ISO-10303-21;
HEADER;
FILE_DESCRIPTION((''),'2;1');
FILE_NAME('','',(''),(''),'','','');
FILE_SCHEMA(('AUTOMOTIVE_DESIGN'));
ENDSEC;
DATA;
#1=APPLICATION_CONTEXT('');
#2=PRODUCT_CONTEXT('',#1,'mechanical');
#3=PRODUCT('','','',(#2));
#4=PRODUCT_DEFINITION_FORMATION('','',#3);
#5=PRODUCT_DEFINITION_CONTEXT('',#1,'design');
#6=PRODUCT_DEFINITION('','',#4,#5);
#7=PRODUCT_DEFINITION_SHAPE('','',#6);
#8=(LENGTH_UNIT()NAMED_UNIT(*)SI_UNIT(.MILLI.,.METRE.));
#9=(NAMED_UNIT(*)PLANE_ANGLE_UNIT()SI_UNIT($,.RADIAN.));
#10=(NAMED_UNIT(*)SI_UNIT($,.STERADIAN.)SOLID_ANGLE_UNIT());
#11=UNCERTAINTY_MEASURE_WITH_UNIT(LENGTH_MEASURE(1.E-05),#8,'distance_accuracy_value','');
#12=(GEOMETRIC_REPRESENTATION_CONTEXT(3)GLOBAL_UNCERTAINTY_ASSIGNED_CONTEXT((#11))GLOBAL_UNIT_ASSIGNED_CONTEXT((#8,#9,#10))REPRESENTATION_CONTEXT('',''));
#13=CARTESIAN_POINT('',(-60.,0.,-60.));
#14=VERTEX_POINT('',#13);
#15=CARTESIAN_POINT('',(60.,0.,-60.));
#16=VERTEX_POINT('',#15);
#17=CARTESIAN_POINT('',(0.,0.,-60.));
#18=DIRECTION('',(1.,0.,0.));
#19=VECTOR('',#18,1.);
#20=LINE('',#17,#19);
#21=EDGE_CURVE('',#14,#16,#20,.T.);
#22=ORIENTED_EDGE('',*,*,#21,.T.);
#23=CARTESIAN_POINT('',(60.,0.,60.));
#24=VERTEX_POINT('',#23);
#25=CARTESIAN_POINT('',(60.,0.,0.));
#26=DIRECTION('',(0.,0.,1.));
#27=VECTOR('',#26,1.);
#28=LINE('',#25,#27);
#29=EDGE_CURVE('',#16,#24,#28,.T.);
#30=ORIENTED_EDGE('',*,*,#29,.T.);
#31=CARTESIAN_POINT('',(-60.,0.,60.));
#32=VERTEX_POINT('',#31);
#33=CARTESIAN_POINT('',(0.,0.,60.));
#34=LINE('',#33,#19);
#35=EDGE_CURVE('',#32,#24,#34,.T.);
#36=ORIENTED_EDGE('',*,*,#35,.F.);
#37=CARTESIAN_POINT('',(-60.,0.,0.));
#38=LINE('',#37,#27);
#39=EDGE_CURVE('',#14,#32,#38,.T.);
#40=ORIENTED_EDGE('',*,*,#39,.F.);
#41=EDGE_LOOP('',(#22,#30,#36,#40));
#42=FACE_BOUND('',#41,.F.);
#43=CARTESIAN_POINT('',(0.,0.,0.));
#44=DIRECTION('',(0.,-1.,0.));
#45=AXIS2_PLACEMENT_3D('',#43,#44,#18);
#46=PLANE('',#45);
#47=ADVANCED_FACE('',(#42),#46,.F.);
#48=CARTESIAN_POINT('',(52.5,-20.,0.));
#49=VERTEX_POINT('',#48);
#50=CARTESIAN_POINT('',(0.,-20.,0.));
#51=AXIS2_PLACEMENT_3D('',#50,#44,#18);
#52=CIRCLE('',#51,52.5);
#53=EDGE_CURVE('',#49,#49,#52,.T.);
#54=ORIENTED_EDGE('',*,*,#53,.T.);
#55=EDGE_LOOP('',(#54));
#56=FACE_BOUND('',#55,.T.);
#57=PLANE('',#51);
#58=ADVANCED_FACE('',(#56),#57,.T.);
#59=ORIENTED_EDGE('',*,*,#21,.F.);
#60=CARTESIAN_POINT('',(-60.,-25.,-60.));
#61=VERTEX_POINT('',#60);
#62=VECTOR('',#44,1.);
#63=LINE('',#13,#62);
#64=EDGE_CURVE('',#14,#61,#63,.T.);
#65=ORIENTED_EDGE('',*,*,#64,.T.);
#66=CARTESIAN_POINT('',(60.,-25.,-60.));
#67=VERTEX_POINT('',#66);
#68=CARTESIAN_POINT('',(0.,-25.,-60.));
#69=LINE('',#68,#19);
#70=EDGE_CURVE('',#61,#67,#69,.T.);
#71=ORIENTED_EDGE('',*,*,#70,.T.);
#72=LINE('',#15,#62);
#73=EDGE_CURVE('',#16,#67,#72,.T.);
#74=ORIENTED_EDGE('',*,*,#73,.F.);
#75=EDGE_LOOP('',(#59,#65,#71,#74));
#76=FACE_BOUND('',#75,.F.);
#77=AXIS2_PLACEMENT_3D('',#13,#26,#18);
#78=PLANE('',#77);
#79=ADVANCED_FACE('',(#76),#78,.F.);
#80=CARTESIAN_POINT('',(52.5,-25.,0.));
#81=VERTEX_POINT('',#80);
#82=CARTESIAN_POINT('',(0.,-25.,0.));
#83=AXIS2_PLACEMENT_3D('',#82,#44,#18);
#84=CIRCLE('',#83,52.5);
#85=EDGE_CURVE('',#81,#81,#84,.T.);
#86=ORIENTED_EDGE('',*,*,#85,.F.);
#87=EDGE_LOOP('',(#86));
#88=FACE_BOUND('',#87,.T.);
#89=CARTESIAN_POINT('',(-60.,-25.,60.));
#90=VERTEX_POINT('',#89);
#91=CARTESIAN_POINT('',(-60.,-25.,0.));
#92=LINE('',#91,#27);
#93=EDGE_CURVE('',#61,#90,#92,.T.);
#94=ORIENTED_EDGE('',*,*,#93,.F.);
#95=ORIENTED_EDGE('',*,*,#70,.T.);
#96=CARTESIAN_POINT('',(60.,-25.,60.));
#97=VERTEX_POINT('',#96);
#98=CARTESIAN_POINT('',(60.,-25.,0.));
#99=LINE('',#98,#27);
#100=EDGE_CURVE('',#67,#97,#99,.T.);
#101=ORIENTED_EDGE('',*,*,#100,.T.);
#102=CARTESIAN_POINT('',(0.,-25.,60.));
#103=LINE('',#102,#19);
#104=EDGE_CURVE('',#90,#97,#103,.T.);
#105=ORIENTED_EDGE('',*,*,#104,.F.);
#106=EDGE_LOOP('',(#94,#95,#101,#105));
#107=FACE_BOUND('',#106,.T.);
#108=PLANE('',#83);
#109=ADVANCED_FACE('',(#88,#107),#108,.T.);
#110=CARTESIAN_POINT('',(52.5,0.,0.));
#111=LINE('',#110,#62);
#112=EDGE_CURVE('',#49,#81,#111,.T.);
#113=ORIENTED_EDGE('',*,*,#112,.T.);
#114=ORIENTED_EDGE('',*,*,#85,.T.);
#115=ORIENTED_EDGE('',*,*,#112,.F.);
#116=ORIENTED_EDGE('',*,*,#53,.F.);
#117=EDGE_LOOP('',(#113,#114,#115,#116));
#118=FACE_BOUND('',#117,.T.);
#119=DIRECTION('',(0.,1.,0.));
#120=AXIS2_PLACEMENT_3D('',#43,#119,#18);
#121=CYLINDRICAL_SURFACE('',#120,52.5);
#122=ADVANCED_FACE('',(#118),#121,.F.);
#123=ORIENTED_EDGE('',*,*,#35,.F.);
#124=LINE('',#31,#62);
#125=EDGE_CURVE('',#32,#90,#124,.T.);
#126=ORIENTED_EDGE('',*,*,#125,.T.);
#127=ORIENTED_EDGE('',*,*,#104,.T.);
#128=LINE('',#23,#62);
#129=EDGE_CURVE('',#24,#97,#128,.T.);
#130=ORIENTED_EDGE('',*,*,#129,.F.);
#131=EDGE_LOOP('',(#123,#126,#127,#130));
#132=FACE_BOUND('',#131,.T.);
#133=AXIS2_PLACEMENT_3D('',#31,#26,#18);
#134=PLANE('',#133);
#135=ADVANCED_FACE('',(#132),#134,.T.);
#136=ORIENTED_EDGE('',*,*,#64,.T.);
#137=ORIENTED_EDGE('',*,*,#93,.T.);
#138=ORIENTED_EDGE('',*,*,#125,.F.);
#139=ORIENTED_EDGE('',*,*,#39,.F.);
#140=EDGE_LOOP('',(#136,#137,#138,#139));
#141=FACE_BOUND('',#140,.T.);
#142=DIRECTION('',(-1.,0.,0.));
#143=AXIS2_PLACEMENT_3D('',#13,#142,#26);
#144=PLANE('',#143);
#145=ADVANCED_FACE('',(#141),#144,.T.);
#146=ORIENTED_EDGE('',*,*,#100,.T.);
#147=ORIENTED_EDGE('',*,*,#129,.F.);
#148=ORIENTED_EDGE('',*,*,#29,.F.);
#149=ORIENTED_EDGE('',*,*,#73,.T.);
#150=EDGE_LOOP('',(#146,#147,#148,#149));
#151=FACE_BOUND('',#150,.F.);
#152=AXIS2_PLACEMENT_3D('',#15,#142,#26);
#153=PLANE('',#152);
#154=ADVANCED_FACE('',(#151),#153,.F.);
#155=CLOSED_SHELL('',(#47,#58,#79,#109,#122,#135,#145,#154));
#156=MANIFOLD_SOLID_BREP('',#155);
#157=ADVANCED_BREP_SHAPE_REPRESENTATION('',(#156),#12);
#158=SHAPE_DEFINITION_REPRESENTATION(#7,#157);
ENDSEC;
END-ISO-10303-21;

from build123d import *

# Parameters (mm, degrees)
F0_W     = 120
F0_H     = 120
F0_R     = 52.5
F1_DEPTH = 25
F2_DEPTH = 20


with BuildPart() as f1:
    # F0 (on Front) → F1 (new body)
    with BuildSketch(Plane.XZ):
        Rectangle(F0_W, F0_H)
        Circle(F0_R, mode=Mode.SUBTRACT)
    extrude(amount=F1_DEPTH)

    # F0 (on Front) → F2 (join)
    with BuildSketch(Plane.XZ):
        Circle(F0_R)
    extrude(amount=F2_DEPTH)


solid = f1.part
